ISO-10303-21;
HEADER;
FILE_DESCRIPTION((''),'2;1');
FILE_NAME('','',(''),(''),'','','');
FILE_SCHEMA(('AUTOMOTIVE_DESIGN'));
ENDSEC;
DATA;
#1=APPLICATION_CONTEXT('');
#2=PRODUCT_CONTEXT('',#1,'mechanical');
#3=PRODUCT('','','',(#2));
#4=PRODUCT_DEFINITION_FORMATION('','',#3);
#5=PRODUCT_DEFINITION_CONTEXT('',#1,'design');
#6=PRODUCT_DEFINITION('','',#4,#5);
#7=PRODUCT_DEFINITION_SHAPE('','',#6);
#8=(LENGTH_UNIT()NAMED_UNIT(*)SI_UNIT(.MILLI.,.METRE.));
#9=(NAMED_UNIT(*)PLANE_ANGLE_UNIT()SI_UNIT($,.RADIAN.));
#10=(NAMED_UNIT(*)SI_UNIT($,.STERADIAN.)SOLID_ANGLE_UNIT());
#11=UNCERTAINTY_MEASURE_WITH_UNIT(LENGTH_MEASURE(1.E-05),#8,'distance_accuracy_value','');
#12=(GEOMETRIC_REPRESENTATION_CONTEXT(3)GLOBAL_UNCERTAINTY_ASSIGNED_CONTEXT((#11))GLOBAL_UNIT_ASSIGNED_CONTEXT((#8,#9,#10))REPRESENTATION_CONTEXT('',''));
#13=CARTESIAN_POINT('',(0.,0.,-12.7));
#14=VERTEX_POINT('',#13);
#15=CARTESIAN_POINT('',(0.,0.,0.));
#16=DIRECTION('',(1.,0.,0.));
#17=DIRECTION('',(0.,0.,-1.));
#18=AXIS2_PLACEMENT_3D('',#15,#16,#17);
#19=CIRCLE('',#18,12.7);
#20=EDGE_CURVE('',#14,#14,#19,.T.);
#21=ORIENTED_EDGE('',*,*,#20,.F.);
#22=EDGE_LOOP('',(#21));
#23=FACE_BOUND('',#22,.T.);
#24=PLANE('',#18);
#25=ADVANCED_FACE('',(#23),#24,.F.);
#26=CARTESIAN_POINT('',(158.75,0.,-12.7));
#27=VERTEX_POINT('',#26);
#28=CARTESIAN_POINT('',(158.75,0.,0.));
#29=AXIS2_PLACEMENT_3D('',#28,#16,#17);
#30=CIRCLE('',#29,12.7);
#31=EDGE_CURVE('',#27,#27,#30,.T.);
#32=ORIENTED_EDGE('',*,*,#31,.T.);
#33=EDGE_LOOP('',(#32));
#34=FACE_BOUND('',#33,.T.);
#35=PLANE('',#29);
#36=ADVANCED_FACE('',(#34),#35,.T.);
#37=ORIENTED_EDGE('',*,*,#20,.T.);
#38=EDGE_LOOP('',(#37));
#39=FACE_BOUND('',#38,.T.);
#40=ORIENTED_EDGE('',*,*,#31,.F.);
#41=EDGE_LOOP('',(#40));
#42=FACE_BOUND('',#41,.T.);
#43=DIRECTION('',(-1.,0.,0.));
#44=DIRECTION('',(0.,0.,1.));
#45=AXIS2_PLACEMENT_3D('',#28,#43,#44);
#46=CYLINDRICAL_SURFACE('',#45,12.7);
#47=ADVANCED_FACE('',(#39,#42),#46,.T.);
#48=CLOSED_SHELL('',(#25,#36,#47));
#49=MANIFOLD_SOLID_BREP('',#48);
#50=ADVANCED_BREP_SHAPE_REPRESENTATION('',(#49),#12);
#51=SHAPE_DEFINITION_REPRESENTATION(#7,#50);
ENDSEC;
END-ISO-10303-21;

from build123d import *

# Parameters (mm, degrees)
SKETCH1_R           = 12.7
BOSS_EXTRUDE1_DEPTH = 158.75


with BuildPart() as part:
    # Sketch1 → Boss-Extrude1 (new body)
    with BuildSketch(Plane(origin=(0, 0, 0), x_dir=(0, 0, -1), z_dir=(1, 0, 0))):
        Circle(SKETCH1_R)
    extrude(amount=BOSS_EXTRUDE1_DEPTH)


solid = part.part
